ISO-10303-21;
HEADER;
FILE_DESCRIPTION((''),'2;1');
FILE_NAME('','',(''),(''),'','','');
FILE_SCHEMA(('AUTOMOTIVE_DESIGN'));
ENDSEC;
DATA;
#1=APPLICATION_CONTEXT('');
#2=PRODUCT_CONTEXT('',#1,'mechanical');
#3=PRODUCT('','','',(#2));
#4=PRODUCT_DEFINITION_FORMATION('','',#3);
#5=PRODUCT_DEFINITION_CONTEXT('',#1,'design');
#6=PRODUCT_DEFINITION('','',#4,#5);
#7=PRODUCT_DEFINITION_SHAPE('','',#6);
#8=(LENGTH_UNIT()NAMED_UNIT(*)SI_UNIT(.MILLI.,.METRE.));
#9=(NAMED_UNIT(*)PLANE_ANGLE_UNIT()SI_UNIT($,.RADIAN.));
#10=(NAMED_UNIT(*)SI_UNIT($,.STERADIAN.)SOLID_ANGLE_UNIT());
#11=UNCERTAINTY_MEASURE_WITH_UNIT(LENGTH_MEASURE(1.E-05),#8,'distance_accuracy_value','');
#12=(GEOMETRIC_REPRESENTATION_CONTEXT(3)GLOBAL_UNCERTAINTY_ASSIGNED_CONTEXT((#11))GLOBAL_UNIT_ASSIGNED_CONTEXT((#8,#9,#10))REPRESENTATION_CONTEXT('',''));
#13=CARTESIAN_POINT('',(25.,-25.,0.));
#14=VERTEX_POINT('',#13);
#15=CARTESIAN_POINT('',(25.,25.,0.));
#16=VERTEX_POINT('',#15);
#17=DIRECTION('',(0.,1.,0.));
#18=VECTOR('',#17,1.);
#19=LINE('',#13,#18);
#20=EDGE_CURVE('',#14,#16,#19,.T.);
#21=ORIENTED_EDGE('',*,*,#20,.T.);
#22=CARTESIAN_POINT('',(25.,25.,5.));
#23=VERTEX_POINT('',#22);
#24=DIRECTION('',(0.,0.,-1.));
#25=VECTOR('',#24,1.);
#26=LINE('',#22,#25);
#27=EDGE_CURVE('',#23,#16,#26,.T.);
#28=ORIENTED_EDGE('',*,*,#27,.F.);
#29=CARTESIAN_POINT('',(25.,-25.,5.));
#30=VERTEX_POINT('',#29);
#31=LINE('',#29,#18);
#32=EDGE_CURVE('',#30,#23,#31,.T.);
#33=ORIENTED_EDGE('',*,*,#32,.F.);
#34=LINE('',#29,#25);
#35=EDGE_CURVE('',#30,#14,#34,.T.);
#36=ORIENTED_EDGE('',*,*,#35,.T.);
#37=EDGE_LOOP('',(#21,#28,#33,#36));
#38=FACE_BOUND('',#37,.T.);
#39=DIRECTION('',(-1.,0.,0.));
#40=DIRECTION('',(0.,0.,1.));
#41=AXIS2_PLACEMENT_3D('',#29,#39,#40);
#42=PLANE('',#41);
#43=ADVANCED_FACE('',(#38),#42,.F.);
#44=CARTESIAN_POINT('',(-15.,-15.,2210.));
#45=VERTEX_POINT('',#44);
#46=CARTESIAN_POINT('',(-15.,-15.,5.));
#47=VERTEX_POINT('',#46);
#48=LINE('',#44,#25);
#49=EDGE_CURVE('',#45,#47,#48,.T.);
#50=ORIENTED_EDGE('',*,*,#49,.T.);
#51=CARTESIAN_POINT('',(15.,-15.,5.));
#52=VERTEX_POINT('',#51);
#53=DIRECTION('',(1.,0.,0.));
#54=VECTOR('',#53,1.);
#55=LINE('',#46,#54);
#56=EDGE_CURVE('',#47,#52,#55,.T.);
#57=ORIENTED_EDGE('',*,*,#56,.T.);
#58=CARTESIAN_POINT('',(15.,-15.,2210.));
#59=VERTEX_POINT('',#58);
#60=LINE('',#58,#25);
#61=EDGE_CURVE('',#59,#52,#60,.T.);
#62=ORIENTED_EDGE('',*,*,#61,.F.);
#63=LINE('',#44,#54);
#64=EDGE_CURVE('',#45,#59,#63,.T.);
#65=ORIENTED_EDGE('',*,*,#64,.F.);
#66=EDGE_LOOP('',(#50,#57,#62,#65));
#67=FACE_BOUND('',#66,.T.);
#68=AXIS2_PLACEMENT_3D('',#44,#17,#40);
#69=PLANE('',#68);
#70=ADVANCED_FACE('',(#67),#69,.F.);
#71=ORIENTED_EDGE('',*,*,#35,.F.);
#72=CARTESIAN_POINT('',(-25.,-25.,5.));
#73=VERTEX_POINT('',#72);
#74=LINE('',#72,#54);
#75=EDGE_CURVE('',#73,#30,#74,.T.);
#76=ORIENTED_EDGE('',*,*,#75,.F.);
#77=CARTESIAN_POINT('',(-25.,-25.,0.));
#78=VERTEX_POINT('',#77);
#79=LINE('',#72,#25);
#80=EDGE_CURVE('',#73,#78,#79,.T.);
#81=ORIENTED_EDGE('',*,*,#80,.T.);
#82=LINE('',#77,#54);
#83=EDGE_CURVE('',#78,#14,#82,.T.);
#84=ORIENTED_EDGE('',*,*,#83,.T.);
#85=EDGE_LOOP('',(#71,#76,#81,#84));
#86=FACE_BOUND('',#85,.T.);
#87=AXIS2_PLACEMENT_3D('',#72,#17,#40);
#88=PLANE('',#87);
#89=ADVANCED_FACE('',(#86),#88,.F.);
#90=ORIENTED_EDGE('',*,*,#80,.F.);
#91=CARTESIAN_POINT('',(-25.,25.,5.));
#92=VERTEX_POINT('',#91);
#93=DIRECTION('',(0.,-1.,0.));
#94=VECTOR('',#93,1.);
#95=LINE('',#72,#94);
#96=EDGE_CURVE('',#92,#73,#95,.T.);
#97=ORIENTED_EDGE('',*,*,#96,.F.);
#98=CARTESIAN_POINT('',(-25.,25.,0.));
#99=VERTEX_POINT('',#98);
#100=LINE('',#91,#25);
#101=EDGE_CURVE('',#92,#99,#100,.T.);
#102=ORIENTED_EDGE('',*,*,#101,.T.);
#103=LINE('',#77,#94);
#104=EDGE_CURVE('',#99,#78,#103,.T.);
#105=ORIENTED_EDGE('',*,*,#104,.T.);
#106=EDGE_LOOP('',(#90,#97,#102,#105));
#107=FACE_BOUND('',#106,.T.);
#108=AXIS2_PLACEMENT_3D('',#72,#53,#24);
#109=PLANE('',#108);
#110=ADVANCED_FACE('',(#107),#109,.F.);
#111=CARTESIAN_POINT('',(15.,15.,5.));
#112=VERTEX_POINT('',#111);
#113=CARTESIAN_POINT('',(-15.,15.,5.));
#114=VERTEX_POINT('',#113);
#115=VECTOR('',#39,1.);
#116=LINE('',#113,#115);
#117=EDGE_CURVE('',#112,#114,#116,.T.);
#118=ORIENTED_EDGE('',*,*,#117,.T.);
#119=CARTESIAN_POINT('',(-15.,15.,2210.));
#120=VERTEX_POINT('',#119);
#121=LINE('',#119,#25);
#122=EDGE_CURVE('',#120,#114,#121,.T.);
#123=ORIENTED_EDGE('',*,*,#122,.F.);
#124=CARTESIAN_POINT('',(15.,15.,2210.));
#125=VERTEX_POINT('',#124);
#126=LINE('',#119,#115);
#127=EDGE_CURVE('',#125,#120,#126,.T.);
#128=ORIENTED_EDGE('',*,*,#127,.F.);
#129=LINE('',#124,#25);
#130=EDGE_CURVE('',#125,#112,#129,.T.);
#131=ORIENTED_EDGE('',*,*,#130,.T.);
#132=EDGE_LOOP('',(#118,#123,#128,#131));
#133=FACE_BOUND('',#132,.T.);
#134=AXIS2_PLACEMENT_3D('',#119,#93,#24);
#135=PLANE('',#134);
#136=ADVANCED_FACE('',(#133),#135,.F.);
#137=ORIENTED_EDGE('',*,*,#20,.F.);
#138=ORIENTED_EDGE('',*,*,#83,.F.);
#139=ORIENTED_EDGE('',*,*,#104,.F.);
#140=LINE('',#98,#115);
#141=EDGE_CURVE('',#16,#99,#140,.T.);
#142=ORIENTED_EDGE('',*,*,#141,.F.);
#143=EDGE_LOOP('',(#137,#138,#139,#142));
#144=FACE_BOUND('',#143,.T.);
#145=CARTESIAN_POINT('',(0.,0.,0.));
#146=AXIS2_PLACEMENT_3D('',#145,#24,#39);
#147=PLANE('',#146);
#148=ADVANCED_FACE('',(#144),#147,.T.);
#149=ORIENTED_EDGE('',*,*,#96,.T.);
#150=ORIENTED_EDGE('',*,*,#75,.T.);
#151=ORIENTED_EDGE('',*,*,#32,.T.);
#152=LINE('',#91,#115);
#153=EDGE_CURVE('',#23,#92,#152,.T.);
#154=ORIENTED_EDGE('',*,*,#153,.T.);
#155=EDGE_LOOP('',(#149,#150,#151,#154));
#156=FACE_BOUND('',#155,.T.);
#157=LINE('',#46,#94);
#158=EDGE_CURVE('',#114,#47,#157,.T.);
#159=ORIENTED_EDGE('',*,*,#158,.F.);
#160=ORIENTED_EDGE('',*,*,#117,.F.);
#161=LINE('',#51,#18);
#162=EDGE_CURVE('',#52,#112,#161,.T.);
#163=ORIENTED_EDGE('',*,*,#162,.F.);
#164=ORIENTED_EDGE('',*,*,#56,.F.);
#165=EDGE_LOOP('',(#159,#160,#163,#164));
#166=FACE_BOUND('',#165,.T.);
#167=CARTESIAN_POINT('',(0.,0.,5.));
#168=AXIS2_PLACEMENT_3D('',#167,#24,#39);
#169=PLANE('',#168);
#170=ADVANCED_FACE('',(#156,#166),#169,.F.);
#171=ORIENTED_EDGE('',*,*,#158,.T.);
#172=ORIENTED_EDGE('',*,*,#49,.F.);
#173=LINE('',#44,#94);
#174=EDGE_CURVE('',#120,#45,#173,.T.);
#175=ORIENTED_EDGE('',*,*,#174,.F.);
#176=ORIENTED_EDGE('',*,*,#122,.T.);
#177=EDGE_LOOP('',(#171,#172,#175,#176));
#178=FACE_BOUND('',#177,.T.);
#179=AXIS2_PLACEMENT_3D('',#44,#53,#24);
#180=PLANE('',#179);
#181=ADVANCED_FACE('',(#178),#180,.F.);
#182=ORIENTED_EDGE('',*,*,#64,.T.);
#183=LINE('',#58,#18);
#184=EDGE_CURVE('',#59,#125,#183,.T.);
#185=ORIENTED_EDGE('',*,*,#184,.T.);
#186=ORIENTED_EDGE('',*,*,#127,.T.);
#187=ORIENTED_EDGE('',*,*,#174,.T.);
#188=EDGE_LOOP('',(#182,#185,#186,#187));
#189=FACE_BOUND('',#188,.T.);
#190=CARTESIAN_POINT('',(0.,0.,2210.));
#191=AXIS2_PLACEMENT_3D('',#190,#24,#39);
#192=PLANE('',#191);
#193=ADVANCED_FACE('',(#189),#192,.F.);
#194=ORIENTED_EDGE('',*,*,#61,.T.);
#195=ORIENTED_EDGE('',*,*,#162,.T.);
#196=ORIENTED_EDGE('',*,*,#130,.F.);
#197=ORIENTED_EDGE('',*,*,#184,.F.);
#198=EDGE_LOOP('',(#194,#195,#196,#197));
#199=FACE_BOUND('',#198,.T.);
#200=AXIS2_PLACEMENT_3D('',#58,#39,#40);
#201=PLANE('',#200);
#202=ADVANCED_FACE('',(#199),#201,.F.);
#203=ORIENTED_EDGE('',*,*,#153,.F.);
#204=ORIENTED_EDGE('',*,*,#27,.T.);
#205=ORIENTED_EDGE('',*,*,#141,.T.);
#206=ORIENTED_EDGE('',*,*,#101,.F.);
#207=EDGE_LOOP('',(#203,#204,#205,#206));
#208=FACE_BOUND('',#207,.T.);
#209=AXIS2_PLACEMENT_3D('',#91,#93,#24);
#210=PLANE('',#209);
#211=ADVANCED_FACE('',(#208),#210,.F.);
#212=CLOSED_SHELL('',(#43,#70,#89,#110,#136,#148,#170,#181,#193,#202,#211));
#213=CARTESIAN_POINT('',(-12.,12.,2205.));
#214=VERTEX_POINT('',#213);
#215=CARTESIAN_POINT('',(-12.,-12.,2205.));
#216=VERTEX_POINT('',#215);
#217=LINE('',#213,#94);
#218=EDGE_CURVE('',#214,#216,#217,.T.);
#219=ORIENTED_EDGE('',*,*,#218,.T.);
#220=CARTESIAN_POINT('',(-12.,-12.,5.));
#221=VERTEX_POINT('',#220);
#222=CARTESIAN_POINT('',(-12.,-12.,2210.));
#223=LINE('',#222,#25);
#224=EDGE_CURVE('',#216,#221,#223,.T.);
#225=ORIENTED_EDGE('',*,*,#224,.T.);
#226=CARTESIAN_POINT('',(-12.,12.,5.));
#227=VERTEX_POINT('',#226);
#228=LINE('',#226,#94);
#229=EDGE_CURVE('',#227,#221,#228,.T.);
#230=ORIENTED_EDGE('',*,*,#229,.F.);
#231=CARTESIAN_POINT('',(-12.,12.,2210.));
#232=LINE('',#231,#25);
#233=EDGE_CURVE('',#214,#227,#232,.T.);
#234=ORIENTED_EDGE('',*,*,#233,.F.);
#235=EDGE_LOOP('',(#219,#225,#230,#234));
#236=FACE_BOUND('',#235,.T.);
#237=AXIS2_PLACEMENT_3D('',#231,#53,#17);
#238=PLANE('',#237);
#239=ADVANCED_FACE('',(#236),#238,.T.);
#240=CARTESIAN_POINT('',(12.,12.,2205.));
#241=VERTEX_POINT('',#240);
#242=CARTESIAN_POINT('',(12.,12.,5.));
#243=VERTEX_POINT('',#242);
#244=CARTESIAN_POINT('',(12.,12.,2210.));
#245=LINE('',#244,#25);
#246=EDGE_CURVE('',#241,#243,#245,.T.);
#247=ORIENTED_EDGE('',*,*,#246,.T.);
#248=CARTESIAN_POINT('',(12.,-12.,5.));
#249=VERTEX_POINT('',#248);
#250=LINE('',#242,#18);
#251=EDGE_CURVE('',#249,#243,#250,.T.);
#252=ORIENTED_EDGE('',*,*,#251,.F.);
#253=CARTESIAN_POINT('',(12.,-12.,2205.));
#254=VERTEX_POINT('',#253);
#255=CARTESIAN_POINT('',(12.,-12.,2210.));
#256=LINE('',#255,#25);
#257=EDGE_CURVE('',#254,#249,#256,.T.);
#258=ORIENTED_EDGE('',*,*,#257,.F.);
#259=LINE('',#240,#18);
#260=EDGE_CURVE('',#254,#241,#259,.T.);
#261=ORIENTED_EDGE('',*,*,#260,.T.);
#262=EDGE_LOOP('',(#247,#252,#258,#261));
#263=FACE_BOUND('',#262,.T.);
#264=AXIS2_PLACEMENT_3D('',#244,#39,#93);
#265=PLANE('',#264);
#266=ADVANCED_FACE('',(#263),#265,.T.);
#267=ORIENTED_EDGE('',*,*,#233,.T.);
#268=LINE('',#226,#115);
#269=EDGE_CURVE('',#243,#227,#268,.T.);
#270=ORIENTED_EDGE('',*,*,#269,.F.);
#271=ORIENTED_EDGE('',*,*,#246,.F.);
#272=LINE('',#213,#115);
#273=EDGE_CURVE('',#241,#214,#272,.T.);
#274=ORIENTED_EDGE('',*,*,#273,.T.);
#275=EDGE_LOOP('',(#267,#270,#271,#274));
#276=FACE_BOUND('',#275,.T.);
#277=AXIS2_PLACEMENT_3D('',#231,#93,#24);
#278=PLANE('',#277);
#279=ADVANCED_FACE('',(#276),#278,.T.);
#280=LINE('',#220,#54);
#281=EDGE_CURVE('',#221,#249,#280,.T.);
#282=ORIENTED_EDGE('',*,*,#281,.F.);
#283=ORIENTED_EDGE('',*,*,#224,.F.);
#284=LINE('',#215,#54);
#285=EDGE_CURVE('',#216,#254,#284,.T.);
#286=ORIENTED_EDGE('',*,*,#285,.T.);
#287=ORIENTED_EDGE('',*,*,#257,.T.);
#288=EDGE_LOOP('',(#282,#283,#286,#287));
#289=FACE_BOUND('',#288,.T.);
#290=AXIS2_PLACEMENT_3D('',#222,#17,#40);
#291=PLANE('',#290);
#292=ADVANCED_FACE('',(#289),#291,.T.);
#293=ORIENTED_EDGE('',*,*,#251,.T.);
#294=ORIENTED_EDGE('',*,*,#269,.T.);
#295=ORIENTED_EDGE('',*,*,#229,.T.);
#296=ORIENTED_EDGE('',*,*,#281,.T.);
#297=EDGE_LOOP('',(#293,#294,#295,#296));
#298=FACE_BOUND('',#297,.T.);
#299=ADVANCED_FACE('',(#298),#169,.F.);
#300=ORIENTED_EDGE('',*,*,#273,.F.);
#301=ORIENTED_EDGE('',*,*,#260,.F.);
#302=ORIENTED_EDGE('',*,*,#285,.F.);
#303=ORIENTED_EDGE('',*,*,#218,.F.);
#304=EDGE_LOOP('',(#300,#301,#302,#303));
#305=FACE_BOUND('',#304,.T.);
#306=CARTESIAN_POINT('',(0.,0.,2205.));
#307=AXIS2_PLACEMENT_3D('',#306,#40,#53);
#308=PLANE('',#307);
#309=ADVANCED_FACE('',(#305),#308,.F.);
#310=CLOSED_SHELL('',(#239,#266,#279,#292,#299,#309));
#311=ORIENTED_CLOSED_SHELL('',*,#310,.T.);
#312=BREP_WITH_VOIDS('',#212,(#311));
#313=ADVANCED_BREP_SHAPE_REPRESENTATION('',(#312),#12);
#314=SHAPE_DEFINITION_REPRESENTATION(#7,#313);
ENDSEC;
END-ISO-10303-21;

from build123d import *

# Parameters (mm, degrees)
SCHIZZO1_W                   = 50
SCHIZZO1_H                   = 50
ESTRUSIONE_ESTRUSIONE1_DEPTH = 5
SCHIZZO2_W                   = 30
SCHIZZO2_H                   = 30
SCHIZZO2_W_2                 = 24
SCHIZZO2_H_2                 = 24
ESTRUSIONE_ESTRUSIONE2_DEPTH = 2205
SCHIZZO3_W                   = 24
SCHIZZO3_H                   = 24
ESTRUSIONE_ESTRUSIONE3_DEPTH = 5


with BuildPart() as part:
    # Schizzo1 → Estrusione-Estrusione1 (new body)
    with BuildSketch(Plane.XY):
        Rectangle(SCHIZZO1_W, SCHIZZO1_H)
    extrude(amount=ESTRUSIONE_ESTRUSIONE1_DEPTH)

    # Schizzo2 → Estrusione-Estrusione2 (add)
    with BuildSketch(Plane.XY.offset(5)):
        Rectangle(SCHIZZO2_W, SCHIZZO2_H)
        Rectangle(SCHIZZO2_W_2, SCHIZZO2_H_2, mode=Mode.SUBTRACT)
    extrude(amount=ESTRUSIONE_ESTRUSIONE2_DEPTH)

    # Schizzo3 → Estrusione-Estrusione3 (add)
    with BuildSketch(Plane.XY.offset(2210)):
        Rectangle(SCHIZZO3_W, SCHIZZO3_H)
    extrude(amount=-ESTRUSIONE_ESTRUSIONE3_DEPTH)


solid = part.part
